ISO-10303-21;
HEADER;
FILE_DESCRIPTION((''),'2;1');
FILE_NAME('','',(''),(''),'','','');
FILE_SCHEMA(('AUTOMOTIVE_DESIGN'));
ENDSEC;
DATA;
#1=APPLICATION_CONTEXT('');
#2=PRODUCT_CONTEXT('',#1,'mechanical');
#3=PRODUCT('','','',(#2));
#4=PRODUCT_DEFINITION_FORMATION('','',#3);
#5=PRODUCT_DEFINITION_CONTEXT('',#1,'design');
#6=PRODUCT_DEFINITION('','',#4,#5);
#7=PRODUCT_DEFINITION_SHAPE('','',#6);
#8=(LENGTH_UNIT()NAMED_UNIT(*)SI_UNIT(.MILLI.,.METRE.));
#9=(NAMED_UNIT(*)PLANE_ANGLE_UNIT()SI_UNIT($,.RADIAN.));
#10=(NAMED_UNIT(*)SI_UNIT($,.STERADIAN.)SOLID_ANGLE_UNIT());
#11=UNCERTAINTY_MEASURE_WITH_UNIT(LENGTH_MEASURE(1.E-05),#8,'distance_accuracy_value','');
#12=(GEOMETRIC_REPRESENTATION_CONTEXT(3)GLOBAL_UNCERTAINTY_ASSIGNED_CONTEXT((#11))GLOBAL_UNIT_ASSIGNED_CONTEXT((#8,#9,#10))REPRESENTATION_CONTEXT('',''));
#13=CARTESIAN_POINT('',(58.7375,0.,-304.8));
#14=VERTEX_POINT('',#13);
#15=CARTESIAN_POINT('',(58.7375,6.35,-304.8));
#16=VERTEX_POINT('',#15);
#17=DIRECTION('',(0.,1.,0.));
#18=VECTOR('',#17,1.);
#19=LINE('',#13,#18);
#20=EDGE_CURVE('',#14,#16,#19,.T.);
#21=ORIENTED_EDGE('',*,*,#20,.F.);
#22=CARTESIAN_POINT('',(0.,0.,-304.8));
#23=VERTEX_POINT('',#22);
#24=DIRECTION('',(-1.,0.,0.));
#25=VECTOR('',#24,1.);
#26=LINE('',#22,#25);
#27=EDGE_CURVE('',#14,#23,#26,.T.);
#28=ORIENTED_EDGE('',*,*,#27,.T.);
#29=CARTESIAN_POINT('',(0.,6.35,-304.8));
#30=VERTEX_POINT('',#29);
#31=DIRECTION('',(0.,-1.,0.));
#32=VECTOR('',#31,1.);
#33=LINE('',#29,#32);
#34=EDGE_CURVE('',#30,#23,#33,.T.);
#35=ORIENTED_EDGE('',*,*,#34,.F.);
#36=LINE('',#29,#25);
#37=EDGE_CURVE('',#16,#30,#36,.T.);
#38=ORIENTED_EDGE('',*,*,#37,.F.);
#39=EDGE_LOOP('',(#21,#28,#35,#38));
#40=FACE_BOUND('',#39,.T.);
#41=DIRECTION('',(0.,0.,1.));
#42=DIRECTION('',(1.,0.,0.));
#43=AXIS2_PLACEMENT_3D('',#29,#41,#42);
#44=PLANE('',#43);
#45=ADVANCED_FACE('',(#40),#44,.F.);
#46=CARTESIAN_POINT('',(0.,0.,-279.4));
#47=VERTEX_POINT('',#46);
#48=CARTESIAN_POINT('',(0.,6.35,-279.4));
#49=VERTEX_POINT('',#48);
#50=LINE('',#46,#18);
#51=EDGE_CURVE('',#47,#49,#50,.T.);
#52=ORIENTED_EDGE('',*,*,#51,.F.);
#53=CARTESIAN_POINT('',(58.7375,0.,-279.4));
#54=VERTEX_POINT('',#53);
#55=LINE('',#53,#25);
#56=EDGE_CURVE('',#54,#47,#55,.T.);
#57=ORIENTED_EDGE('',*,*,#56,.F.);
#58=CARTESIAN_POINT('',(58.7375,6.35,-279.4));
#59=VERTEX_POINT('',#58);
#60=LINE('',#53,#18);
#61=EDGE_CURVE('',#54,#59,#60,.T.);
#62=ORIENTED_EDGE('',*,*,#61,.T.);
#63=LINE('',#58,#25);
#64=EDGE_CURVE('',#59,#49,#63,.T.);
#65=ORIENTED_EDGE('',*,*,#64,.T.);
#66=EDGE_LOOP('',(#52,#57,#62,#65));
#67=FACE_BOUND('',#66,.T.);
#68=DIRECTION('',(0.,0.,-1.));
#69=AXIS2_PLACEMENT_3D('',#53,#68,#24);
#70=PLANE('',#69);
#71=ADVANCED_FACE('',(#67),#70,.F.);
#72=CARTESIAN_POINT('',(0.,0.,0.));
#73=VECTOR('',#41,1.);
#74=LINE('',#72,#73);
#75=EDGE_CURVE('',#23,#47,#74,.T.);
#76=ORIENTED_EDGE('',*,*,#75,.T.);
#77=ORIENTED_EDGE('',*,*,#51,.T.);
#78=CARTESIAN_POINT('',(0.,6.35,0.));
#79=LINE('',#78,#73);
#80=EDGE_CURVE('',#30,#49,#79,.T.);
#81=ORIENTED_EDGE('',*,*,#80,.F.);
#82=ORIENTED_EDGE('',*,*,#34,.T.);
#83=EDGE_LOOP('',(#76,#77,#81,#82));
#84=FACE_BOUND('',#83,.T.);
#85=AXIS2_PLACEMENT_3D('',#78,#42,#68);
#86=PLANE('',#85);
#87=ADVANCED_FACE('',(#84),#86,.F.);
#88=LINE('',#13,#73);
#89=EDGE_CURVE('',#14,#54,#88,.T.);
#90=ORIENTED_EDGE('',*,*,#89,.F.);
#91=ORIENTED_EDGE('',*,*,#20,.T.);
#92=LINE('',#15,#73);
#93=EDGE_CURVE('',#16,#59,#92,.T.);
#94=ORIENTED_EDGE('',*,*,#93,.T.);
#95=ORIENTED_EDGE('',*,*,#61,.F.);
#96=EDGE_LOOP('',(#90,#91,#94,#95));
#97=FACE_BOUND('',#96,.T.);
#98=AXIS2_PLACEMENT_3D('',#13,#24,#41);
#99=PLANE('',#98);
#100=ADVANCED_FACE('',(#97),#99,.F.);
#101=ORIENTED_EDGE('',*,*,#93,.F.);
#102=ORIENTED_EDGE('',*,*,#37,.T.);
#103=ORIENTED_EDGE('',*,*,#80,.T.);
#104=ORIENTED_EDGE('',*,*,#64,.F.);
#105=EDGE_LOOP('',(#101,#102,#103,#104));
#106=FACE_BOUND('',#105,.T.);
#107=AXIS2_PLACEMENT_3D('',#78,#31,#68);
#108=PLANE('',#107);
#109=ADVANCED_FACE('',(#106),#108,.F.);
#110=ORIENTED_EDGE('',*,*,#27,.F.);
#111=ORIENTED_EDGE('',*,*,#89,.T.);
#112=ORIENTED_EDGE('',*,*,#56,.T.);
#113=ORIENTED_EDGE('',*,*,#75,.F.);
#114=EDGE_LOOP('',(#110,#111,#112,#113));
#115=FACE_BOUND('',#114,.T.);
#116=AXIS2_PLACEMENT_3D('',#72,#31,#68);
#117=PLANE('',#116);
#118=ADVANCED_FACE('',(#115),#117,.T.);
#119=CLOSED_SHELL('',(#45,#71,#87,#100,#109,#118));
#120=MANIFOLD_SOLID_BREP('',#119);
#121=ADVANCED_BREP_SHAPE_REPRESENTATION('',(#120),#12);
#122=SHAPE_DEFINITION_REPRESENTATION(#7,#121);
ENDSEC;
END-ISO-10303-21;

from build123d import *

# Parameters (mm, degrees)
SKETCH1_W           = 304.8
SKETCH1_H           = 304.8
BOSS_EXTRUDE1_DEPTH = 6.35
CUT_EXTRUDE2_DEPTH  = 6.35


with BuildPart() as part:
    # Sketch1 → Boss-Extrude1 (new body)
    with BuildSketch(Plane(origin=(0, 0, 0), x_dir=(1, 0, 0), z_dir=(0, 1, 0))):
        with Locations((152.4, 152.4)):
            Rectangle(SKETCH1_W, SKETCH1_H)
    extrude(amount=BOSS_EXTRUDE1_DEPTH)

    # Sketch2 → Cut-Extrude2 (cut)
    with BuildSketch(Plane(origin=(0, 6.35, 0), x_dir=(1, 0, 0), z_dir=(0, 1, 0))):
        Polygon((58.7375, 304.8), (58.7375, 279.4), (0, 279.4), (0, 0), (304.8, 0), (304.8, 304.8), align=None)
    extrude(amount=-CUT_EXTRUDE2_DEPTH, mode=Mode.SUBTRACT)


solid = part.part
